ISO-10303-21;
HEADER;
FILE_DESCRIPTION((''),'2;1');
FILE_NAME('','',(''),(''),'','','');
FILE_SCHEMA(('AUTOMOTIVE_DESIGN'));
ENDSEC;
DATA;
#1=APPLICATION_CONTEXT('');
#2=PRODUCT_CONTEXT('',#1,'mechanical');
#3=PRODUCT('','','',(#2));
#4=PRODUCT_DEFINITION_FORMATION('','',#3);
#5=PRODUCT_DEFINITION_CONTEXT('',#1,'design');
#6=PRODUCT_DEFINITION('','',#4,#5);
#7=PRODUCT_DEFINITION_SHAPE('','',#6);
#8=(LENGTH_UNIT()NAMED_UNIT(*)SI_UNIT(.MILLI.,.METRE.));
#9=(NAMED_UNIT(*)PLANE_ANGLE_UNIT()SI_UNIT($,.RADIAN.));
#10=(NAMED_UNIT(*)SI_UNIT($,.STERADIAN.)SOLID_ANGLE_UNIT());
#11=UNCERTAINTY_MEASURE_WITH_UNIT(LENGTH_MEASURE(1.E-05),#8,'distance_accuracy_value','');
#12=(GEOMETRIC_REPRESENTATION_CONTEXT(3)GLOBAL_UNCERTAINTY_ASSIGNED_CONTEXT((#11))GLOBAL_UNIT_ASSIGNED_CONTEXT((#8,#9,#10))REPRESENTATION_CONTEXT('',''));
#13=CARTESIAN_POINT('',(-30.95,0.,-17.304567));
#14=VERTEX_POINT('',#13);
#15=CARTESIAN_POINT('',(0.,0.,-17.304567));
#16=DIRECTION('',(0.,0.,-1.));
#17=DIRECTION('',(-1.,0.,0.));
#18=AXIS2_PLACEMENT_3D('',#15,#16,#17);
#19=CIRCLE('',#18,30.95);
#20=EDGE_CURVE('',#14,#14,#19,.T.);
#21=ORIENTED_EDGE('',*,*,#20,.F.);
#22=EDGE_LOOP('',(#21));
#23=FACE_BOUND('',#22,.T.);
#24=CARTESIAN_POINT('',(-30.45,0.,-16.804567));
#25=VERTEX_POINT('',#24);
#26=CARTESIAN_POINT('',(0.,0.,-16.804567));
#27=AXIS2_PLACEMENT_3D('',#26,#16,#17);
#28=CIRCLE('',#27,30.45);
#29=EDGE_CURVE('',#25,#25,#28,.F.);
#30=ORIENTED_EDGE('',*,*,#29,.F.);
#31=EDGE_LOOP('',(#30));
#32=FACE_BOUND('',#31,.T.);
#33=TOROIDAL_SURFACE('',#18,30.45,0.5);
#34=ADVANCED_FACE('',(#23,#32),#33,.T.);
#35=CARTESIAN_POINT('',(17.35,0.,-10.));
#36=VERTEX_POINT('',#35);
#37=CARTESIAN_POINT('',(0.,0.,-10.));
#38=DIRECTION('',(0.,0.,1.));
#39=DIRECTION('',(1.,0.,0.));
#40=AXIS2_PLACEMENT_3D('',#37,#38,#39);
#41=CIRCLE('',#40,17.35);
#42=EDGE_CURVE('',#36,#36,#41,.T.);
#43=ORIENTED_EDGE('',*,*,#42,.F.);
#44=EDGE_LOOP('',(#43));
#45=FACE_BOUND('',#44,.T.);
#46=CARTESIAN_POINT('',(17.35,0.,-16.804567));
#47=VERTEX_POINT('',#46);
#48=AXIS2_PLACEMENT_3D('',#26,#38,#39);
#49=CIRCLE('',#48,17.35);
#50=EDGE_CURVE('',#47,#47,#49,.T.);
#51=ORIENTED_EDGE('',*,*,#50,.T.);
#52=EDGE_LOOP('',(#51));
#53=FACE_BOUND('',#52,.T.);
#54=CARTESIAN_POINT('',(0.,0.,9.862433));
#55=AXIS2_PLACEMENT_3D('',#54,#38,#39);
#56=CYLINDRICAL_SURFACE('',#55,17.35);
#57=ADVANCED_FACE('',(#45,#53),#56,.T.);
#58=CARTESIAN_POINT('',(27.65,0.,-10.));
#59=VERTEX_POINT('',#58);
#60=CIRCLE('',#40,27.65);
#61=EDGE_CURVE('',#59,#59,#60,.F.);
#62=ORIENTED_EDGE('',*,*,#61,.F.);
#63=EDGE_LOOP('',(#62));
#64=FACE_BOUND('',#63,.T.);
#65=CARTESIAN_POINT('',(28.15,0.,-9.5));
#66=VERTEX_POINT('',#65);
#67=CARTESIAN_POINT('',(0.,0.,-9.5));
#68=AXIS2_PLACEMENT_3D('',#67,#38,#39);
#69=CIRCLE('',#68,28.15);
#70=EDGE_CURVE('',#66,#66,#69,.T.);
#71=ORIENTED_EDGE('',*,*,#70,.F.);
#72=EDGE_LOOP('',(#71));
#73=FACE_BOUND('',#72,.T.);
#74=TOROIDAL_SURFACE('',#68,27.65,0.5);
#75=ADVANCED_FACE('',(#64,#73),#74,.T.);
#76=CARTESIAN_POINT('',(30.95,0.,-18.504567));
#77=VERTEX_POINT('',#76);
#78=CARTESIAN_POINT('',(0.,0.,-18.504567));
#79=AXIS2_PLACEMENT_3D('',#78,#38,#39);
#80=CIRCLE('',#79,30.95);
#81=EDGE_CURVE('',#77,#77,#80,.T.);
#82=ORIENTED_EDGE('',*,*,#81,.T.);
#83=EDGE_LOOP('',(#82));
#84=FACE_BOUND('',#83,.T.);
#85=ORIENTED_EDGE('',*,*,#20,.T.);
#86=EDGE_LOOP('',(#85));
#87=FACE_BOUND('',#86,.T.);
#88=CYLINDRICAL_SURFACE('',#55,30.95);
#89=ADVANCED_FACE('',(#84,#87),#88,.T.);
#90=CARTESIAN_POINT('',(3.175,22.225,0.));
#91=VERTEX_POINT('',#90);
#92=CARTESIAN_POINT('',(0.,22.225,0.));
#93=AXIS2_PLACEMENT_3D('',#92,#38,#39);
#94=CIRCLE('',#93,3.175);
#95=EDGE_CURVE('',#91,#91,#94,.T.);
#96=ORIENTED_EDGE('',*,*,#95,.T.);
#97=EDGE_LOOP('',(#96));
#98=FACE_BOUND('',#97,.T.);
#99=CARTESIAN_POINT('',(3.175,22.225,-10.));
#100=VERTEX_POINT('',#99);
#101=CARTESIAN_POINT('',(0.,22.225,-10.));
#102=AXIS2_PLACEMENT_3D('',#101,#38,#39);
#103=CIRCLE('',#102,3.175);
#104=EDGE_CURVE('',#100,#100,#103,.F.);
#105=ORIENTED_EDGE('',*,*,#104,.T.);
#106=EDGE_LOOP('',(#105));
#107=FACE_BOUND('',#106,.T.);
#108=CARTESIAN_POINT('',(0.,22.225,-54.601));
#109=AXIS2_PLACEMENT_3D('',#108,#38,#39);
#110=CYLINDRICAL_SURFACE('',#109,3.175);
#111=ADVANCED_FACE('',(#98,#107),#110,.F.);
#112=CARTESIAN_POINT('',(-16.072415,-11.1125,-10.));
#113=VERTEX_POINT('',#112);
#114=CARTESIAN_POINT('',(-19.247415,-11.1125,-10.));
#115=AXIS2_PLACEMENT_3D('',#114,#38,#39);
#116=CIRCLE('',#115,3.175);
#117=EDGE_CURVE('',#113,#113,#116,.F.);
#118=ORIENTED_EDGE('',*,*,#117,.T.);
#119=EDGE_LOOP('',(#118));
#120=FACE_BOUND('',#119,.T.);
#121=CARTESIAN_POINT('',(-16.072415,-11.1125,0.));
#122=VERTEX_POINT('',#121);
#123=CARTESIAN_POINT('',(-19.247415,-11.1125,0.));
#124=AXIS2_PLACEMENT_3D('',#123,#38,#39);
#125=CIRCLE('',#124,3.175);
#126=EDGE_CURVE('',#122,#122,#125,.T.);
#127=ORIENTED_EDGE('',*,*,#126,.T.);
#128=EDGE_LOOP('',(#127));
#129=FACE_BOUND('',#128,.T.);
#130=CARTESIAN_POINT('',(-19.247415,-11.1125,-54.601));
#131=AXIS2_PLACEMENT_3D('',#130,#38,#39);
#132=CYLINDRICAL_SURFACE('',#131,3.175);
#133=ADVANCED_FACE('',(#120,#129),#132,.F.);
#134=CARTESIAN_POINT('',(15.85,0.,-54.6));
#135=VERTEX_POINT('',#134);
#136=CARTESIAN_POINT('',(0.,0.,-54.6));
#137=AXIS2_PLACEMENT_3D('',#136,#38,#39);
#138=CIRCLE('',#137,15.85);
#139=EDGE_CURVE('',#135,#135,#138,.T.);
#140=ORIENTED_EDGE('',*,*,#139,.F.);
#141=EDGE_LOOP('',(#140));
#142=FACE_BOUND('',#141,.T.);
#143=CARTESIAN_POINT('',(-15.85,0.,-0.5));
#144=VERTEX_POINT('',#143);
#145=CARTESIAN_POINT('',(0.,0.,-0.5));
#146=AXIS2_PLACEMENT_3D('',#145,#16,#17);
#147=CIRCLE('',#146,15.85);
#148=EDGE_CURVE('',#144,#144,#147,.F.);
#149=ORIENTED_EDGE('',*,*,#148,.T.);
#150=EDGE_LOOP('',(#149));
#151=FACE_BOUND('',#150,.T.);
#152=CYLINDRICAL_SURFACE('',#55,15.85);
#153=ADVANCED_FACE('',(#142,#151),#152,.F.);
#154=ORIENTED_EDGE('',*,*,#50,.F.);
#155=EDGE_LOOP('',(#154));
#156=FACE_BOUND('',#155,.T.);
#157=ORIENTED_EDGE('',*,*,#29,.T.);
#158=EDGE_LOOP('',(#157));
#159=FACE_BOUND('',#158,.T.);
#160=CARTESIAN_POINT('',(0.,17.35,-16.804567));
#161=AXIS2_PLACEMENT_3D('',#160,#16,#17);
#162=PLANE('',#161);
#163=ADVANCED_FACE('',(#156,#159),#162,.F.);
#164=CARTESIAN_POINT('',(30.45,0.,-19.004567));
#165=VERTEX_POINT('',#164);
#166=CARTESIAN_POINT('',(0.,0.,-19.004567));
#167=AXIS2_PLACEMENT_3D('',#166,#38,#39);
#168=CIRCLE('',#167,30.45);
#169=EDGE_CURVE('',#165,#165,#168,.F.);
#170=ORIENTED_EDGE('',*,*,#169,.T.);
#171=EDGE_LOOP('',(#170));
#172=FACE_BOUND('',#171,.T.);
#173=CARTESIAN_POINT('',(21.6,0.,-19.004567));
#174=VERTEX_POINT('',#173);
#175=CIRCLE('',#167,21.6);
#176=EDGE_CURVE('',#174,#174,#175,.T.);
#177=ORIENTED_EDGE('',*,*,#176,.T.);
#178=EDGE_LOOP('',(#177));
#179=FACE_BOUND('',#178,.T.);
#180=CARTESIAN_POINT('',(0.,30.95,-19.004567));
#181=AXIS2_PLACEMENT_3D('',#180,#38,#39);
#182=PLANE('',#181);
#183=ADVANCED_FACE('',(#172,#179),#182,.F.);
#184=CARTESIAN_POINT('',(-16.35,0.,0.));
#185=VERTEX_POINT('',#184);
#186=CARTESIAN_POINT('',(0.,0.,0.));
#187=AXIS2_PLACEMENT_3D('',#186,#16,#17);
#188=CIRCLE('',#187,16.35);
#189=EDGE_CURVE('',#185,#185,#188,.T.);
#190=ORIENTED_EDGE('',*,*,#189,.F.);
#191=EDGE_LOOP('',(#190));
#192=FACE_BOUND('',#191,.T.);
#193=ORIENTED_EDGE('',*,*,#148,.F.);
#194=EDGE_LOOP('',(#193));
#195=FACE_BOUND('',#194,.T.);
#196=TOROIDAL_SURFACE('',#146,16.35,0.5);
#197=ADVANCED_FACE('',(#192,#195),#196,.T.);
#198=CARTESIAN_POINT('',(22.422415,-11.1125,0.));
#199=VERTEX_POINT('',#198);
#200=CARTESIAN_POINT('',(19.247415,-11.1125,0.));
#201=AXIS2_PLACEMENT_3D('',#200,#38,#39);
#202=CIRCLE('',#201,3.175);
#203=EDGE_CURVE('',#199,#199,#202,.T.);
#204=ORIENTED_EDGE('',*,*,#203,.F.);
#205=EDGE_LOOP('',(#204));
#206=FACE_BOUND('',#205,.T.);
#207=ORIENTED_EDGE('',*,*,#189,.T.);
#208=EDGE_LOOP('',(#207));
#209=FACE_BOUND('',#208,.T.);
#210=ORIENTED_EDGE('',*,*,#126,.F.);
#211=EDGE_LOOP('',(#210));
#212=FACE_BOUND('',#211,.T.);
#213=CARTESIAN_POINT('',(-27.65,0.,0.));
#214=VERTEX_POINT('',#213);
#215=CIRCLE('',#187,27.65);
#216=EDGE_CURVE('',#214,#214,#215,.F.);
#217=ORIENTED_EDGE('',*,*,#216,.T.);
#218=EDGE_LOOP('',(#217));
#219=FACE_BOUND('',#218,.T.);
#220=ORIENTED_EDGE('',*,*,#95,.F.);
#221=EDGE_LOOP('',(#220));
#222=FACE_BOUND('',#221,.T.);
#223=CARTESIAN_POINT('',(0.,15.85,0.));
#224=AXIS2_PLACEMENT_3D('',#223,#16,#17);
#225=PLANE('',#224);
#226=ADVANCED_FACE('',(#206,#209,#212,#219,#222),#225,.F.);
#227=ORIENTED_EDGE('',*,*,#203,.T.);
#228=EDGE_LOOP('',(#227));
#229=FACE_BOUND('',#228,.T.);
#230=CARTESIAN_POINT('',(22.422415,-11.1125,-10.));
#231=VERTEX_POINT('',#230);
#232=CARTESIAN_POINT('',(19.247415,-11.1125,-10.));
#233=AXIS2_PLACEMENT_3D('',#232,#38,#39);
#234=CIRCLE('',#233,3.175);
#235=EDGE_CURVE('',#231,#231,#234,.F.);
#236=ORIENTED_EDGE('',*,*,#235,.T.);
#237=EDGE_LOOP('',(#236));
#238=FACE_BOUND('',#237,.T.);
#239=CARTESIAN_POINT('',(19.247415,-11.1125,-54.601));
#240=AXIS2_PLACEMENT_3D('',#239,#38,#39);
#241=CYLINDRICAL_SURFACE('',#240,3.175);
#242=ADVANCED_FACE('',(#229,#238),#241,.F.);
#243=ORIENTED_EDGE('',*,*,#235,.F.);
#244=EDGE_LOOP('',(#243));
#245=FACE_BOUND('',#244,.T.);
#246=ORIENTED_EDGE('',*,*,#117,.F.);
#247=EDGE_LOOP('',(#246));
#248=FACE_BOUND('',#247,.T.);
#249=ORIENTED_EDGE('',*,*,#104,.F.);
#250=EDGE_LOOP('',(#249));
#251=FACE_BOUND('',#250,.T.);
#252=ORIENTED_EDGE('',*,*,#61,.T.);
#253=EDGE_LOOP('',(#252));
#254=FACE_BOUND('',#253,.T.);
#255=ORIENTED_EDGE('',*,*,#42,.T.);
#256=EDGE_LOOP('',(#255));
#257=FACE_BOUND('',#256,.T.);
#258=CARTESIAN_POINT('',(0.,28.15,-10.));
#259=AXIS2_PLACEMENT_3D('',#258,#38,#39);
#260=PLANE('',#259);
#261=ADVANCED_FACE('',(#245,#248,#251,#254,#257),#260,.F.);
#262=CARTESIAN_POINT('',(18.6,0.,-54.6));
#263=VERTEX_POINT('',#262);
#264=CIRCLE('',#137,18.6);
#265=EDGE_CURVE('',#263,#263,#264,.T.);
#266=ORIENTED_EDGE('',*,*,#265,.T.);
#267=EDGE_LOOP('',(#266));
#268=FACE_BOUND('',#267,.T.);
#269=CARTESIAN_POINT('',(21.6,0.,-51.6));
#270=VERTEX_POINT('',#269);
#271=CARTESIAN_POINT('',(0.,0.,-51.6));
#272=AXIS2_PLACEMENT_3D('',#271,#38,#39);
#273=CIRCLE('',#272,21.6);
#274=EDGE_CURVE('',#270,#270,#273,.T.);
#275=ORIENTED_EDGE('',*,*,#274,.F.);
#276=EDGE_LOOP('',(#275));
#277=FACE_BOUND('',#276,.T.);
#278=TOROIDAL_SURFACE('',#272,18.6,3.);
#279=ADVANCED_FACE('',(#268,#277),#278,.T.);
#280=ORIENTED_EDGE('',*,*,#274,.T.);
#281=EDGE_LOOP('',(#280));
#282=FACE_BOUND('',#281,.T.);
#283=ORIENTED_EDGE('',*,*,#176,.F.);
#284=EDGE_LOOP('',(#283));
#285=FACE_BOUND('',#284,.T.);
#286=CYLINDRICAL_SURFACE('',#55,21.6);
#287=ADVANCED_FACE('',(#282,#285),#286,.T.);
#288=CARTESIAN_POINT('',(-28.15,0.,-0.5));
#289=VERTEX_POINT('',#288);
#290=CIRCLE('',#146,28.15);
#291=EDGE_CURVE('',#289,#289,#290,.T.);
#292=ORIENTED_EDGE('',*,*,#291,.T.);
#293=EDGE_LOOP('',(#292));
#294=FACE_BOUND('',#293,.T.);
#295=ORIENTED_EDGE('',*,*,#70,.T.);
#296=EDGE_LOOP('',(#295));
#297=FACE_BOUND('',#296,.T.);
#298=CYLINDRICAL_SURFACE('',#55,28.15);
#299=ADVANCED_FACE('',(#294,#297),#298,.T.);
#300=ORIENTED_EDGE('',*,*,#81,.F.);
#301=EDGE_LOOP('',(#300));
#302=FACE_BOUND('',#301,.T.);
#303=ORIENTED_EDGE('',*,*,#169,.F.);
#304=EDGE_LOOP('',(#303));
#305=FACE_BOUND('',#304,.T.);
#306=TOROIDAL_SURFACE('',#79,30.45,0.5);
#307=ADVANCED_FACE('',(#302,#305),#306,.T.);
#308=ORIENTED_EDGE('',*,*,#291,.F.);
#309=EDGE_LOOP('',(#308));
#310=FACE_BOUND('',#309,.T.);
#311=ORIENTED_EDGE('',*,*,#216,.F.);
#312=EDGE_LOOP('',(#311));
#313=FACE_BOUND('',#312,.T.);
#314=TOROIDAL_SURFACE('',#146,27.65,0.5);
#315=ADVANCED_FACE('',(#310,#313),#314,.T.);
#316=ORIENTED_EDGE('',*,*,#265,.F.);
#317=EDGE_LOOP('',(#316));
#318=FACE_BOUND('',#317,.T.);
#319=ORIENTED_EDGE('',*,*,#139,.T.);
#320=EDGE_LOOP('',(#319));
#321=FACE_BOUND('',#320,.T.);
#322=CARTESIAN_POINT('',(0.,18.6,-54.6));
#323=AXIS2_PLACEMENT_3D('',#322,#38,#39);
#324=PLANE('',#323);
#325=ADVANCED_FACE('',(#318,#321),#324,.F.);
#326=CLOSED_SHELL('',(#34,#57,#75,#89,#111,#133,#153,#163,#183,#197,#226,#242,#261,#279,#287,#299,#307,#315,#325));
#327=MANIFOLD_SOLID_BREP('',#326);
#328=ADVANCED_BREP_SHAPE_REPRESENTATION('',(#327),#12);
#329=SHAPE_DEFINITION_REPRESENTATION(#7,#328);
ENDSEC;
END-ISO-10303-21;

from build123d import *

# Parameters (mm, degrees)
FILLET1_R          = 0.5
CUT_EXTRUDE1_REACH = 56.6
SKETCH2_R          = 3.175


with BuildPart() as part:
    # Sketch1 → Revolve1 (revolve)
    with BuildSketch(Plane(origin=(0, 0, 0), x_dir=(0, 0, -1), z_dir=(1, 0, 0))):
        with BuildLine():
            Line((0, 15.85), (0, 28.15))
            Line((0, 28.15), (10, 28.15))
            Line((10, 28.15), (10, 17.35))
            Line((10, 17.35), (16.804567413, 17.35))
            Line((16.804567413, 17.35), (16.804567413, 30.95))
            Line((16.804567413, 30.95), (19.004567413, 30.95))
            Line((19.004567413, 30.95), (19.004567413, 21.6))
            Line((19.004567413, 21.6), (51.6, 21.6))
            ThreePointArc((51.6, 21.6), (53.721320344, 20.721320344), (54.6, 18.6))
            Line((54.6, 18.6), (54.6, 15.85))
            Line((54.6, 15.85), (0, 15.85))
        make_face()
    revolve(axis=Axis((0, 0, 9.862432658), (0, 0, -1)))

    # Fillet1
    fillet1_edges = [part.edges().sort_by_distance(p)[0] for p in [
        (0, -28.15, -10),
        (0, -28.15, 0),
        (0, -15.85, 0),
        (0, -30.95, -19.004567413),
        (0, -30.95, -16.804567413),
    ]]
    fillet(fillet1_edges, radius=FILLET1_R)

    # Sketch2 → Cut-Extrude1 (cut, up to next)
    with BuildSketch(Plane.XY, mode=Mode.PRIVATE) as cut_extrude1_sk1:
        with Locations((0, 22.225)):
            Circle(SKETCH2_R)
    cut_extrude1_tool1 = extrude(cut_extrude1_sk1.sketch, amount=-CUT_EXTRUDE1_REACH, mode=Mode.PRIVATE) & part.part
    add(cut_extrude1_tool1.solids().sort_by_distance((0, 22.225, 0))[0], mode=Mode.SUBTRACT)
    # Sketch2 → Cut-Extrude1 (cut, up to next)
    with BuildSketch(Plane.XY, mode=Mode.PRIVATE) as cut_extrude1_sk2:
        with Locations((19.247414599, -11.1125)):
            Circle(SKETCH2_R)
    cut_extrude1_tool2 = extrude(cut_extrude1_sk2.sketch, amount=-CUT_EXTRUDE1_REACH, mode=Mode.PRIVATE) & part.part
    add(cut_extrude1_tool2.solids().sort_by_distance((19.247415, -11.1125, 0))[0], mode=Mode.SUBTRACT)
    # Sketch2 → Cut-Extrude1 (cut, up to next)
    with BuildSketch(Plane.XY, mode=Mode.PRIVATE) as cut_extrude1_sk3:
        with Locations((-19.247414599, -11.1125)):
            Circle(SKETCH2_R)
    cut_extrude1_tool3 = extrude(cut_extrude1_sk3.sketch, amount=-CUT_EXTRUDE1_REACH, mode=Mode.PRIVATE) & part.part
    add(cut_extrude1_tool3.solids().sort_by_distance((-19.247415, -11.1125, 0))[0], mode=Mode.SUBTRACT)


solid = part.part
